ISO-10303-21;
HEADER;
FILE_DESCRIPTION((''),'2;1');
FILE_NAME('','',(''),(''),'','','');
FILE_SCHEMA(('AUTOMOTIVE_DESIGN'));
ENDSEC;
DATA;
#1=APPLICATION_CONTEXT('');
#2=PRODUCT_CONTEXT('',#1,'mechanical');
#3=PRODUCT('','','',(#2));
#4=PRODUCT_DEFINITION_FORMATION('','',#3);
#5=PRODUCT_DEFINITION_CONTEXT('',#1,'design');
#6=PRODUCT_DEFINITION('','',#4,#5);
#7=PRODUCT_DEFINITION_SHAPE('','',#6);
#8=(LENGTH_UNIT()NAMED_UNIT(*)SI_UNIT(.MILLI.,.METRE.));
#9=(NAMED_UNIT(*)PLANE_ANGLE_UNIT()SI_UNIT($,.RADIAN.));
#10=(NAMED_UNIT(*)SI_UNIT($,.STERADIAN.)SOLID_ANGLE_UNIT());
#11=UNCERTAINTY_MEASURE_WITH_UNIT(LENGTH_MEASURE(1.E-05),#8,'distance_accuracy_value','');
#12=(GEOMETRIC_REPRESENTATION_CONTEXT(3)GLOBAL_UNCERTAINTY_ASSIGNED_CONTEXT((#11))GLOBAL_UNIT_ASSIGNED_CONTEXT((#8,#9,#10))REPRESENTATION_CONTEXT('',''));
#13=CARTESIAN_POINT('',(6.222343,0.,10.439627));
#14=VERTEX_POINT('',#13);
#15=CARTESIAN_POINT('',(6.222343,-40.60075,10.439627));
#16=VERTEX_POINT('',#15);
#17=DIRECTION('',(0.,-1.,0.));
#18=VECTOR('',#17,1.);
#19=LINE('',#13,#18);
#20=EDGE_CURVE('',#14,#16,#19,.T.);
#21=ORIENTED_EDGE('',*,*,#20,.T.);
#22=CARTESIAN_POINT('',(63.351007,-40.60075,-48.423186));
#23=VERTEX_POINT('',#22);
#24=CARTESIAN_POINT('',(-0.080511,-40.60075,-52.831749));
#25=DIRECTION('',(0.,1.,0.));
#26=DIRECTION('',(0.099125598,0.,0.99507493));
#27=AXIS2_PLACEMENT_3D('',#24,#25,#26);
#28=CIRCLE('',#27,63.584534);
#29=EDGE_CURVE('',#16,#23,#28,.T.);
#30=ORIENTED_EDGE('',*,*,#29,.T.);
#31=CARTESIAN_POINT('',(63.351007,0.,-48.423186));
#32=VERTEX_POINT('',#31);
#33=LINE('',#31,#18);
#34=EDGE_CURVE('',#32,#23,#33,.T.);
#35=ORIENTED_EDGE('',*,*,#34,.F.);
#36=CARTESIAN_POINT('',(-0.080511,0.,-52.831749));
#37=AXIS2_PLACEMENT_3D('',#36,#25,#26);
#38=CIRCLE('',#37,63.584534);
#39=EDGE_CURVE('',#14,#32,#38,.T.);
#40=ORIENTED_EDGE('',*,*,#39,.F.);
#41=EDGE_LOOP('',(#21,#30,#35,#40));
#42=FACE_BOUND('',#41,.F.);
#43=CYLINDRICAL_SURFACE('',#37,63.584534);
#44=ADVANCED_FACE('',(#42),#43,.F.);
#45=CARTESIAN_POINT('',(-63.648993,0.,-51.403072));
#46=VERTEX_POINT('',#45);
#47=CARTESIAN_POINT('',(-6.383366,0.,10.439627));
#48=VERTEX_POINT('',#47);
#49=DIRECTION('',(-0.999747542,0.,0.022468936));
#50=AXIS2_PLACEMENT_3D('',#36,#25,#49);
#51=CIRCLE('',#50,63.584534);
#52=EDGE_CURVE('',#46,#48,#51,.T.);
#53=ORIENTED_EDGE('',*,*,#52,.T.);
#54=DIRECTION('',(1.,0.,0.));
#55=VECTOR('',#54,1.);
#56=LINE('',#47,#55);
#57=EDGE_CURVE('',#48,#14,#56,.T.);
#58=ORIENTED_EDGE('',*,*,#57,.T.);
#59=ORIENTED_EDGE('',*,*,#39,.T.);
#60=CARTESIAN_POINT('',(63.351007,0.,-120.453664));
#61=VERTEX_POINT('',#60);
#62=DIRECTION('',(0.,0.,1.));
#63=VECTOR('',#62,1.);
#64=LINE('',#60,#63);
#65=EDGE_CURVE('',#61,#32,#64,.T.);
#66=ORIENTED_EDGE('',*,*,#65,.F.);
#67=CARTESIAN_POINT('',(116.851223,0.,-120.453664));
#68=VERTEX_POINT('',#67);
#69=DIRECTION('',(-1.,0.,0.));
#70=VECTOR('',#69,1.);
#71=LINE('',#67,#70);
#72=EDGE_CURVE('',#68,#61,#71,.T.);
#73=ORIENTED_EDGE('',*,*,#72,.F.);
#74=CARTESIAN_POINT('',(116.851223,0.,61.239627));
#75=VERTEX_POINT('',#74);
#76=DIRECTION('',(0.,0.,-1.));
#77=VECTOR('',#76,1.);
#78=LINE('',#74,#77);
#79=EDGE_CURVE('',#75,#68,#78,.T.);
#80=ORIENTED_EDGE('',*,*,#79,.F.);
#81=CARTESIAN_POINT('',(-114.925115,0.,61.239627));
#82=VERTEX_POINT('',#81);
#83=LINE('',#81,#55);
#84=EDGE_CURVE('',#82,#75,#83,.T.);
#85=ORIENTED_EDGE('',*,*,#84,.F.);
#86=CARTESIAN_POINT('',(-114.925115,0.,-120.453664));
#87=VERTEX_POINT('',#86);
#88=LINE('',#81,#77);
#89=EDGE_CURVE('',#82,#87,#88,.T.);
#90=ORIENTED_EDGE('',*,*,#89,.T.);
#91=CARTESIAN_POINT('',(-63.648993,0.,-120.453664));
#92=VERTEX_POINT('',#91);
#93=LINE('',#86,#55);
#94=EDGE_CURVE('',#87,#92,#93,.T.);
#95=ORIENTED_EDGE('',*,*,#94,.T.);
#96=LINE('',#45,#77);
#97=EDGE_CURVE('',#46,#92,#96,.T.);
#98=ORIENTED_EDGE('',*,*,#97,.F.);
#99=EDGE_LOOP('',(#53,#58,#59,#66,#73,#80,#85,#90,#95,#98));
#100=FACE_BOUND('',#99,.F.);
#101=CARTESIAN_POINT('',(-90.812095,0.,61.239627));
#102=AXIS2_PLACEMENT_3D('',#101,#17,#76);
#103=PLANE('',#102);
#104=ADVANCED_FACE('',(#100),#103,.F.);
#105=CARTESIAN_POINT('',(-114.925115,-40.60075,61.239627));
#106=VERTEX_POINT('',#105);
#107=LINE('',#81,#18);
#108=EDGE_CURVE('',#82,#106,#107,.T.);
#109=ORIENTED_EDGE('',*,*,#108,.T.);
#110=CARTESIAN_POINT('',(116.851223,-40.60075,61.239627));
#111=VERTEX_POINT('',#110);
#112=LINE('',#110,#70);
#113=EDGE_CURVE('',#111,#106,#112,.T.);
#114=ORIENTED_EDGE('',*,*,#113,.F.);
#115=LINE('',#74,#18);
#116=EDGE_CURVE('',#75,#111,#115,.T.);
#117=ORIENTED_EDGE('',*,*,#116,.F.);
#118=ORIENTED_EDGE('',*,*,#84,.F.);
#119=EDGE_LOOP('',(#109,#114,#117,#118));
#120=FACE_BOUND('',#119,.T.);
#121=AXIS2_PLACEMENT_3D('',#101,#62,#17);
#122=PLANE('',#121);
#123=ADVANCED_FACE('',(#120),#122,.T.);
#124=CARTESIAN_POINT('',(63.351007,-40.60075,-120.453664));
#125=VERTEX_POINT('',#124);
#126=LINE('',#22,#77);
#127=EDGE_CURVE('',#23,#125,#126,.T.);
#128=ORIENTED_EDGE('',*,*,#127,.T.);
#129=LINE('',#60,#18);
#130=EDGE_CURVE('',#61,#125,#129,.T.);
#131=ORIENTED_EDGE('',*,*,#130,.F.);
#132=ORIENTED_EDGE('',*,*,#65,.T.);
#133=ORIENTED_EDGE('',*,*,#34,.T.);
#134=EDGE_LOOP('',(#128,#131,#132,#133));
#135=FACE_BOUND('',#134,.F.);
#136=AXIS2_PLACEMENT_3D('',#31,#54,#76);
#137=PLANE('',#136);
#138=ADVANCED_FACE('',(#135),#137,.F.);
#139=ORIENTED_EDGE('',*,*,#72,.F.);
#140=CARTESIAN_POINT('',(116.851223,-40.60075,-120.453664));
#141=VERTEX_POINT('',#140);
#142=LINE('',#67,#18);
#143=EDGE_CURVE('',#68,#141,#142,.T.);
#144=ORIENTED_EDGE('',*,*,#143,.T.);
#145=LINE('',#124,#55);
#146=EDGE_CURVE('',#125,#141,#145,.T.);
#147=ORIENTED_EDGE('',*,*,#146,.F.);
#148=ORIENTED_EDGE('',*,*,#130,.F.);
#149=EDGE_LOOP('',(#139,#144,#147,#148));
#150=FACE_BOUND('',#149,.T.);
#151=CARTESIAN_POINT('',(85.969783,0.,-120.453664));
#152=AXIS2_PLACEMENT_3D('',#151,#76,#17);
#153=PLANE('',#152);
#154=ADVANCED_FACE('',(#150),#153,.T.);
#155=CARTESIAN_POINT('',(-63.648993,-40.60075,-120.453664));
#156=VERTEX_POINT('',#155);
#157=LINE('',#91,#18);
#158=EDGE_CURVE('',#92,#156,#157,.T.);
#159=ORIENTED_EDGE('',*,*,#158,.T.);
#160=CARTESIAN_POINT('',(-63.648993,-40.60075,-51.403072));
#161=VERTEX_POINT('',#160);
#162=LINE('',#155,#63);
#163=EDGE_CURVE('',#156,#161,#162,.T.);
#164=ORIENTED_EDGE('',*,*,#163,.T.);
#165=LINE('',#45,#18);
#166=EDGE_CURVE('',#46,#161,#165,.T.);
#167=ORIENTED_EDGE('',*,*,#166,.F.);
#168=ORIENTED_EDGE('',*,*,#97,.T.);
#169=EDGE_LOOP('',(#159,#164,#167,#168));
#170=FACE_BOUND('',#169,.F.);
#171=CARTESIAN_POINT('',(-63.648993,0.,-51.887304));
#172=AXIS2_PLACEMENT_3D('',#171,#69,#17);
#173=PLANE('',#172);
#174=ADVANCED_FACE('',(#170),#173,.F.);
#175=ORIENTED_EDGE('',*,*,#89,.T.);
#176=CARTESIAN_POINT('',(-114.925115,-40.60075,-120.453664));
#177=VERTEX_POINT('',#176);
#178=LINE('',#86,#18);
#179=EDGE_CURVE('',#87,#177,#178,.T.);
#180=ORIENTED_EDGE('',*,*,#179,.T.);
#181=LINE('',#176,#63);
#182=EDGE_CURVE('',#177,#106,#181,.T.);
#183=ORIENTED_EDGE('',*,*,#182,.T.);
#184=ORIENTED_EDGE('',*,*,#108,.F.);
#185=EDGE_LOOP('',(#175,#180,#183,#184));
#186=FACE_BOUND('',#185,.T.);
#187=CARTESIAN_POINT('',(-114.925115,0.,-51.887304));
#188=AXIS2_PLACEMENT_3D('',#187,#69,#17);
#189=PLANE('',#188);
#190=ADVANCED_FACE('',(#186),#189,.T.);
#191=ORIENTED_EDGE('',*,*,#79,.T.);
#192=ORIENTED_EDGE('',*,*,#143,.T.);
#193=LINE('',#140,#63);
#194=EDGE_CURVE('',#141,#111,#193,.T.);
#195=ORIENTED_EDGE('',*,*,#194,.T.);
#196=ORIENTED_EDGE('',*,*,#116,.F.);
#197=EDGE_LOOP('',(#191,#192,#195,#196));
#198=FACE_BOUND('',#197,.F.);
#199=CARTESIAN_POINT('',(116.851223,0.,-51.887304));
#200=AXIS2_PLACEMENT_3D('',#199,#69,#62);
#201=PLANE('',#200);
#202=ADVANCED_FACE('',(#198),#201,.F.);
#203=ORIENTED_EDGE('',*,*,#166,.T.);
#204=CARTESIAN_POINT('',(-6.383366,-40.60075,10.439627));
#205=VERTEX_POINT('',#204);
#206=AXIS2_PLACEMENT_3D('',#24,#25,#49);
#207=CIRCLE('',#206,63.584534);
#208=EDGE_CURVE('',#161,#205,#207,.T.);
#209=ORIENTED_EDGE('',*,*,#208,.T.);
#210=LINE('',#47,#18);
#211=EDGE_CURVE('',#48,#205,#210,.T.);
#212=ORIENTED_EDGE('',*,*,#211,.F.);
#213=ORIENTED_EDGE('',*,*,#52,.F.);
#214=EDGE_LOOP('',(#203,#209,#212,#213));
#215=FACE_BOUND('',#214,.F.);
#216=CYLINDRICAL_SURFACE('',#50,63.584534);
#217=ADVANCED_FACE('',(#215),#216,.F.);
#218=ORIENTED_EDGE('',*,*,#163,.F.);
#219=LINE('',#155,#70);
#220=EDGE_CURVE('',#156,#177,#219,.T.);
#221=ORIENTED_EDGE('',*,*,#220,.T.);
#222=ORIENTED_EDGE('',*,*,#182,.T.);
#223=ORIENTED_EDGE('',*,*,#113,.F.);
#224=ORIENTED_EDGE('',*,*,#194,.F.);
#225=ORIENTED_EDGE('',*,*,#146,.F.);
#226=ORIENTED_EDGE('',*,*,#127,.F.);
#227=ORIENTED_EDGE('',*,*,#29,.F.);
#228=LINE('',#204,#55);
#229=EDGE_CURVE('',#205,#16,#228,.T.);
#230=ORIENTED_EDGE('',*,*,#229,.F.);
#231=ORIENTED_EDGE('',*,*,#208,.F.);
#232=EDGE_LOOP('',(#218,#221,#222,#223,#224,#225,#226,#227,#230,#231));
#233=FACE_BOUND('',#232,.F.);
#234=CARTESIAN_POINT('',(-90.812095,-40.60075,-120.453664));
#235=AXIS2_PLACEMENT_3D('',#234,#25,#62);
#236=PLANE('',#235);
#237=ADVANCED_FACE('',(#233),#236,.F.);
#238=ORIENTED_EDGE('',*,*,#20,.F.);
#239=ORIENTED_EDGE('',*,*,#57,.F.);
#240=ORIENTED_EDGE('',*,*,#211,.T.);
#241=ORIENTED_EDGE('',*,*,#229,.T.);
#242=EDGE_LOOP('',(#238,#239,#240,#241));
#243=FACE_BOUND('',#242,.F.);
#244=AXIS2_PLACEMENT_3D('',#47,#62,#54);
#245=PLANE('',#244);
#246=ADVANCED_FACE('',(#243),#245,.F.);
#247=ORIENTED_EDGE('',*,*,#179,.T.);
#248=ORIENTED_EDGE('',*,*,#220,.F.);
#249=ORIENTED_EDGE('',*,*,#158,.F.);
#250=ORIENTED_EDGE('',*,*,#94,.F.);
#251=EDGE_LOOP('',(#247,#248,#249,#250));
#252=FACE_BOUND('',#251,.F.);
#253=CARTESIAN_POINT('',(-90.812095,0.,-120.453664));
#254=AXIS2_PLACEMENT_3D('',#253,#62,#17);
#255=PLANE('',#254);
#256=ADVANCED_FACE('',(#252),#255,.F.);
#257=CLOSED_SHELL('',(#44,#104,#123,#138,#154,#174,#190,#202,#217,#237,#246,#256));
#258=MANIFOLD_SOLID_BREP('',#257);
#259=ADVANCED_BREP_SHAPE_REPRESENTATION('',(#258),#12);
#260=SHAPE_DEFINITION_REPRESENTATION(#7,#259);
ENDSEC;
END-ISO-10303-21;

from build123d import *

# Parameters (mm, degrees)
F1_DEPTH = 40.60075
F2_DEPTH = 68.56636
F3_DEPTH = 30.88144
F4_DEPTH = 24.11302


with BuildPart() as f1:
    # F0 (on Front) → F1 (new body)
    with BuildSketch(Plane.XZ):
        with BuildLine():
            Line((63.3510070145, 61.2396271003), (-63.6489929855, 61.2396271003))
            Line((-63.6489929855, 61.2396271003), (-63.6489929855, 10.4396271003))
            Line((-63.6489929855, 10.4396271003), (-6.3833664064, 10.4396271003))
            ThreePointArc((-6.3833664064, 10.4396271003), (-0.080511462, 10.7527853958), (6.2223434824, 10.4396271003))
            Line((6.2223434824, 10.4396271003), (63.3510070145, 10.4396271003))
            Line((63.3510070145, 10.4396271003), (63.3510070145, 61.2396271003))
        make_face()
        Polygon((-63.6489929855, 10.4396271003), (-63.6489929855, 61.2396271003), (-90.8120945096, 61.2396271003), (-90.8120945096, -51.8873035908), (-63.6489929855, -51.8873035908), (-63.6489929855, -51.4030717313), align=None)
        Polygon((85.9697833657, 61.2396271003), (63.3510070145, 61.2396271003), (63.3510070145, 10.4396271003), (63.3510070145, -48.4231859446), (63.3510070145, -51.8873035908), (85.9697833657, -51.8873035908), align=None)
        with BuildLine():
            Line((-6.3833664064, 10.4396271003), (-63.6489929855, 10.4396271003))
            Line((-63.6489929855, 10.4396271003), (-63.6489929855, -51.4030717313))
            ThreePointArc((-63.6489929855, -51.4030717313), (-46.7348870837, -9.6303342951), (-6.3833664064, 10.4396271003))
        make_face()
        with BuildLine():
            Line((63.3510070145, -48.4231859446), (63.3510070145, 10.4396271003))
            Line((63.3510070145, 10.4396271003), (6.2223434824, 10.4396271003))
            ThreePointArc((6.2223434824, 10.4396271003), (45.5476421166, -8.5478399689), (63.3510070145, -48.4231859446))
        make_face()
        with BuildLine():
            ThreePointArc((6.2223434824, 10.4396271003), (-0.080511462, 10.7527853958), (-6.3833664064, 10.4396271003))
            Line((-6.3833664064, 10.4396271003), (6.2223434824, 10.4396271003))
        make_face()
    extrude(amount=F1_DEPTH)

    # F2 (add): faces of the model
    f2_faces = [f1.faces().sort_by_distance(p)[0] for p in [
        (-77.2305437475, -20.300375, -51.8873035908),
        (74.6603951901, -20.300375, -51.8873035908),
    ]]
    extrude(f2_faces, amount=F2_DEPTH)

    # F3 (add): a face of the model
    f3_faces = [f1.faces().sort_by_distance(p)[0] for p in [
        (85.9697833657, -20.300375, -29.6070182453),
    ]]
    extrude(f3_faces, amount=F3_DEPTH)

    # F4 (add): a face of the model
    f4_faces = [f1.faces().sort_by_distance(p)[0] for p in [
        (-90.8120945096, -20.300375, -29.6070182453),
    ]]
    extrude(f4_faces, amount=F4_DEPTH)


solid = f1.part
